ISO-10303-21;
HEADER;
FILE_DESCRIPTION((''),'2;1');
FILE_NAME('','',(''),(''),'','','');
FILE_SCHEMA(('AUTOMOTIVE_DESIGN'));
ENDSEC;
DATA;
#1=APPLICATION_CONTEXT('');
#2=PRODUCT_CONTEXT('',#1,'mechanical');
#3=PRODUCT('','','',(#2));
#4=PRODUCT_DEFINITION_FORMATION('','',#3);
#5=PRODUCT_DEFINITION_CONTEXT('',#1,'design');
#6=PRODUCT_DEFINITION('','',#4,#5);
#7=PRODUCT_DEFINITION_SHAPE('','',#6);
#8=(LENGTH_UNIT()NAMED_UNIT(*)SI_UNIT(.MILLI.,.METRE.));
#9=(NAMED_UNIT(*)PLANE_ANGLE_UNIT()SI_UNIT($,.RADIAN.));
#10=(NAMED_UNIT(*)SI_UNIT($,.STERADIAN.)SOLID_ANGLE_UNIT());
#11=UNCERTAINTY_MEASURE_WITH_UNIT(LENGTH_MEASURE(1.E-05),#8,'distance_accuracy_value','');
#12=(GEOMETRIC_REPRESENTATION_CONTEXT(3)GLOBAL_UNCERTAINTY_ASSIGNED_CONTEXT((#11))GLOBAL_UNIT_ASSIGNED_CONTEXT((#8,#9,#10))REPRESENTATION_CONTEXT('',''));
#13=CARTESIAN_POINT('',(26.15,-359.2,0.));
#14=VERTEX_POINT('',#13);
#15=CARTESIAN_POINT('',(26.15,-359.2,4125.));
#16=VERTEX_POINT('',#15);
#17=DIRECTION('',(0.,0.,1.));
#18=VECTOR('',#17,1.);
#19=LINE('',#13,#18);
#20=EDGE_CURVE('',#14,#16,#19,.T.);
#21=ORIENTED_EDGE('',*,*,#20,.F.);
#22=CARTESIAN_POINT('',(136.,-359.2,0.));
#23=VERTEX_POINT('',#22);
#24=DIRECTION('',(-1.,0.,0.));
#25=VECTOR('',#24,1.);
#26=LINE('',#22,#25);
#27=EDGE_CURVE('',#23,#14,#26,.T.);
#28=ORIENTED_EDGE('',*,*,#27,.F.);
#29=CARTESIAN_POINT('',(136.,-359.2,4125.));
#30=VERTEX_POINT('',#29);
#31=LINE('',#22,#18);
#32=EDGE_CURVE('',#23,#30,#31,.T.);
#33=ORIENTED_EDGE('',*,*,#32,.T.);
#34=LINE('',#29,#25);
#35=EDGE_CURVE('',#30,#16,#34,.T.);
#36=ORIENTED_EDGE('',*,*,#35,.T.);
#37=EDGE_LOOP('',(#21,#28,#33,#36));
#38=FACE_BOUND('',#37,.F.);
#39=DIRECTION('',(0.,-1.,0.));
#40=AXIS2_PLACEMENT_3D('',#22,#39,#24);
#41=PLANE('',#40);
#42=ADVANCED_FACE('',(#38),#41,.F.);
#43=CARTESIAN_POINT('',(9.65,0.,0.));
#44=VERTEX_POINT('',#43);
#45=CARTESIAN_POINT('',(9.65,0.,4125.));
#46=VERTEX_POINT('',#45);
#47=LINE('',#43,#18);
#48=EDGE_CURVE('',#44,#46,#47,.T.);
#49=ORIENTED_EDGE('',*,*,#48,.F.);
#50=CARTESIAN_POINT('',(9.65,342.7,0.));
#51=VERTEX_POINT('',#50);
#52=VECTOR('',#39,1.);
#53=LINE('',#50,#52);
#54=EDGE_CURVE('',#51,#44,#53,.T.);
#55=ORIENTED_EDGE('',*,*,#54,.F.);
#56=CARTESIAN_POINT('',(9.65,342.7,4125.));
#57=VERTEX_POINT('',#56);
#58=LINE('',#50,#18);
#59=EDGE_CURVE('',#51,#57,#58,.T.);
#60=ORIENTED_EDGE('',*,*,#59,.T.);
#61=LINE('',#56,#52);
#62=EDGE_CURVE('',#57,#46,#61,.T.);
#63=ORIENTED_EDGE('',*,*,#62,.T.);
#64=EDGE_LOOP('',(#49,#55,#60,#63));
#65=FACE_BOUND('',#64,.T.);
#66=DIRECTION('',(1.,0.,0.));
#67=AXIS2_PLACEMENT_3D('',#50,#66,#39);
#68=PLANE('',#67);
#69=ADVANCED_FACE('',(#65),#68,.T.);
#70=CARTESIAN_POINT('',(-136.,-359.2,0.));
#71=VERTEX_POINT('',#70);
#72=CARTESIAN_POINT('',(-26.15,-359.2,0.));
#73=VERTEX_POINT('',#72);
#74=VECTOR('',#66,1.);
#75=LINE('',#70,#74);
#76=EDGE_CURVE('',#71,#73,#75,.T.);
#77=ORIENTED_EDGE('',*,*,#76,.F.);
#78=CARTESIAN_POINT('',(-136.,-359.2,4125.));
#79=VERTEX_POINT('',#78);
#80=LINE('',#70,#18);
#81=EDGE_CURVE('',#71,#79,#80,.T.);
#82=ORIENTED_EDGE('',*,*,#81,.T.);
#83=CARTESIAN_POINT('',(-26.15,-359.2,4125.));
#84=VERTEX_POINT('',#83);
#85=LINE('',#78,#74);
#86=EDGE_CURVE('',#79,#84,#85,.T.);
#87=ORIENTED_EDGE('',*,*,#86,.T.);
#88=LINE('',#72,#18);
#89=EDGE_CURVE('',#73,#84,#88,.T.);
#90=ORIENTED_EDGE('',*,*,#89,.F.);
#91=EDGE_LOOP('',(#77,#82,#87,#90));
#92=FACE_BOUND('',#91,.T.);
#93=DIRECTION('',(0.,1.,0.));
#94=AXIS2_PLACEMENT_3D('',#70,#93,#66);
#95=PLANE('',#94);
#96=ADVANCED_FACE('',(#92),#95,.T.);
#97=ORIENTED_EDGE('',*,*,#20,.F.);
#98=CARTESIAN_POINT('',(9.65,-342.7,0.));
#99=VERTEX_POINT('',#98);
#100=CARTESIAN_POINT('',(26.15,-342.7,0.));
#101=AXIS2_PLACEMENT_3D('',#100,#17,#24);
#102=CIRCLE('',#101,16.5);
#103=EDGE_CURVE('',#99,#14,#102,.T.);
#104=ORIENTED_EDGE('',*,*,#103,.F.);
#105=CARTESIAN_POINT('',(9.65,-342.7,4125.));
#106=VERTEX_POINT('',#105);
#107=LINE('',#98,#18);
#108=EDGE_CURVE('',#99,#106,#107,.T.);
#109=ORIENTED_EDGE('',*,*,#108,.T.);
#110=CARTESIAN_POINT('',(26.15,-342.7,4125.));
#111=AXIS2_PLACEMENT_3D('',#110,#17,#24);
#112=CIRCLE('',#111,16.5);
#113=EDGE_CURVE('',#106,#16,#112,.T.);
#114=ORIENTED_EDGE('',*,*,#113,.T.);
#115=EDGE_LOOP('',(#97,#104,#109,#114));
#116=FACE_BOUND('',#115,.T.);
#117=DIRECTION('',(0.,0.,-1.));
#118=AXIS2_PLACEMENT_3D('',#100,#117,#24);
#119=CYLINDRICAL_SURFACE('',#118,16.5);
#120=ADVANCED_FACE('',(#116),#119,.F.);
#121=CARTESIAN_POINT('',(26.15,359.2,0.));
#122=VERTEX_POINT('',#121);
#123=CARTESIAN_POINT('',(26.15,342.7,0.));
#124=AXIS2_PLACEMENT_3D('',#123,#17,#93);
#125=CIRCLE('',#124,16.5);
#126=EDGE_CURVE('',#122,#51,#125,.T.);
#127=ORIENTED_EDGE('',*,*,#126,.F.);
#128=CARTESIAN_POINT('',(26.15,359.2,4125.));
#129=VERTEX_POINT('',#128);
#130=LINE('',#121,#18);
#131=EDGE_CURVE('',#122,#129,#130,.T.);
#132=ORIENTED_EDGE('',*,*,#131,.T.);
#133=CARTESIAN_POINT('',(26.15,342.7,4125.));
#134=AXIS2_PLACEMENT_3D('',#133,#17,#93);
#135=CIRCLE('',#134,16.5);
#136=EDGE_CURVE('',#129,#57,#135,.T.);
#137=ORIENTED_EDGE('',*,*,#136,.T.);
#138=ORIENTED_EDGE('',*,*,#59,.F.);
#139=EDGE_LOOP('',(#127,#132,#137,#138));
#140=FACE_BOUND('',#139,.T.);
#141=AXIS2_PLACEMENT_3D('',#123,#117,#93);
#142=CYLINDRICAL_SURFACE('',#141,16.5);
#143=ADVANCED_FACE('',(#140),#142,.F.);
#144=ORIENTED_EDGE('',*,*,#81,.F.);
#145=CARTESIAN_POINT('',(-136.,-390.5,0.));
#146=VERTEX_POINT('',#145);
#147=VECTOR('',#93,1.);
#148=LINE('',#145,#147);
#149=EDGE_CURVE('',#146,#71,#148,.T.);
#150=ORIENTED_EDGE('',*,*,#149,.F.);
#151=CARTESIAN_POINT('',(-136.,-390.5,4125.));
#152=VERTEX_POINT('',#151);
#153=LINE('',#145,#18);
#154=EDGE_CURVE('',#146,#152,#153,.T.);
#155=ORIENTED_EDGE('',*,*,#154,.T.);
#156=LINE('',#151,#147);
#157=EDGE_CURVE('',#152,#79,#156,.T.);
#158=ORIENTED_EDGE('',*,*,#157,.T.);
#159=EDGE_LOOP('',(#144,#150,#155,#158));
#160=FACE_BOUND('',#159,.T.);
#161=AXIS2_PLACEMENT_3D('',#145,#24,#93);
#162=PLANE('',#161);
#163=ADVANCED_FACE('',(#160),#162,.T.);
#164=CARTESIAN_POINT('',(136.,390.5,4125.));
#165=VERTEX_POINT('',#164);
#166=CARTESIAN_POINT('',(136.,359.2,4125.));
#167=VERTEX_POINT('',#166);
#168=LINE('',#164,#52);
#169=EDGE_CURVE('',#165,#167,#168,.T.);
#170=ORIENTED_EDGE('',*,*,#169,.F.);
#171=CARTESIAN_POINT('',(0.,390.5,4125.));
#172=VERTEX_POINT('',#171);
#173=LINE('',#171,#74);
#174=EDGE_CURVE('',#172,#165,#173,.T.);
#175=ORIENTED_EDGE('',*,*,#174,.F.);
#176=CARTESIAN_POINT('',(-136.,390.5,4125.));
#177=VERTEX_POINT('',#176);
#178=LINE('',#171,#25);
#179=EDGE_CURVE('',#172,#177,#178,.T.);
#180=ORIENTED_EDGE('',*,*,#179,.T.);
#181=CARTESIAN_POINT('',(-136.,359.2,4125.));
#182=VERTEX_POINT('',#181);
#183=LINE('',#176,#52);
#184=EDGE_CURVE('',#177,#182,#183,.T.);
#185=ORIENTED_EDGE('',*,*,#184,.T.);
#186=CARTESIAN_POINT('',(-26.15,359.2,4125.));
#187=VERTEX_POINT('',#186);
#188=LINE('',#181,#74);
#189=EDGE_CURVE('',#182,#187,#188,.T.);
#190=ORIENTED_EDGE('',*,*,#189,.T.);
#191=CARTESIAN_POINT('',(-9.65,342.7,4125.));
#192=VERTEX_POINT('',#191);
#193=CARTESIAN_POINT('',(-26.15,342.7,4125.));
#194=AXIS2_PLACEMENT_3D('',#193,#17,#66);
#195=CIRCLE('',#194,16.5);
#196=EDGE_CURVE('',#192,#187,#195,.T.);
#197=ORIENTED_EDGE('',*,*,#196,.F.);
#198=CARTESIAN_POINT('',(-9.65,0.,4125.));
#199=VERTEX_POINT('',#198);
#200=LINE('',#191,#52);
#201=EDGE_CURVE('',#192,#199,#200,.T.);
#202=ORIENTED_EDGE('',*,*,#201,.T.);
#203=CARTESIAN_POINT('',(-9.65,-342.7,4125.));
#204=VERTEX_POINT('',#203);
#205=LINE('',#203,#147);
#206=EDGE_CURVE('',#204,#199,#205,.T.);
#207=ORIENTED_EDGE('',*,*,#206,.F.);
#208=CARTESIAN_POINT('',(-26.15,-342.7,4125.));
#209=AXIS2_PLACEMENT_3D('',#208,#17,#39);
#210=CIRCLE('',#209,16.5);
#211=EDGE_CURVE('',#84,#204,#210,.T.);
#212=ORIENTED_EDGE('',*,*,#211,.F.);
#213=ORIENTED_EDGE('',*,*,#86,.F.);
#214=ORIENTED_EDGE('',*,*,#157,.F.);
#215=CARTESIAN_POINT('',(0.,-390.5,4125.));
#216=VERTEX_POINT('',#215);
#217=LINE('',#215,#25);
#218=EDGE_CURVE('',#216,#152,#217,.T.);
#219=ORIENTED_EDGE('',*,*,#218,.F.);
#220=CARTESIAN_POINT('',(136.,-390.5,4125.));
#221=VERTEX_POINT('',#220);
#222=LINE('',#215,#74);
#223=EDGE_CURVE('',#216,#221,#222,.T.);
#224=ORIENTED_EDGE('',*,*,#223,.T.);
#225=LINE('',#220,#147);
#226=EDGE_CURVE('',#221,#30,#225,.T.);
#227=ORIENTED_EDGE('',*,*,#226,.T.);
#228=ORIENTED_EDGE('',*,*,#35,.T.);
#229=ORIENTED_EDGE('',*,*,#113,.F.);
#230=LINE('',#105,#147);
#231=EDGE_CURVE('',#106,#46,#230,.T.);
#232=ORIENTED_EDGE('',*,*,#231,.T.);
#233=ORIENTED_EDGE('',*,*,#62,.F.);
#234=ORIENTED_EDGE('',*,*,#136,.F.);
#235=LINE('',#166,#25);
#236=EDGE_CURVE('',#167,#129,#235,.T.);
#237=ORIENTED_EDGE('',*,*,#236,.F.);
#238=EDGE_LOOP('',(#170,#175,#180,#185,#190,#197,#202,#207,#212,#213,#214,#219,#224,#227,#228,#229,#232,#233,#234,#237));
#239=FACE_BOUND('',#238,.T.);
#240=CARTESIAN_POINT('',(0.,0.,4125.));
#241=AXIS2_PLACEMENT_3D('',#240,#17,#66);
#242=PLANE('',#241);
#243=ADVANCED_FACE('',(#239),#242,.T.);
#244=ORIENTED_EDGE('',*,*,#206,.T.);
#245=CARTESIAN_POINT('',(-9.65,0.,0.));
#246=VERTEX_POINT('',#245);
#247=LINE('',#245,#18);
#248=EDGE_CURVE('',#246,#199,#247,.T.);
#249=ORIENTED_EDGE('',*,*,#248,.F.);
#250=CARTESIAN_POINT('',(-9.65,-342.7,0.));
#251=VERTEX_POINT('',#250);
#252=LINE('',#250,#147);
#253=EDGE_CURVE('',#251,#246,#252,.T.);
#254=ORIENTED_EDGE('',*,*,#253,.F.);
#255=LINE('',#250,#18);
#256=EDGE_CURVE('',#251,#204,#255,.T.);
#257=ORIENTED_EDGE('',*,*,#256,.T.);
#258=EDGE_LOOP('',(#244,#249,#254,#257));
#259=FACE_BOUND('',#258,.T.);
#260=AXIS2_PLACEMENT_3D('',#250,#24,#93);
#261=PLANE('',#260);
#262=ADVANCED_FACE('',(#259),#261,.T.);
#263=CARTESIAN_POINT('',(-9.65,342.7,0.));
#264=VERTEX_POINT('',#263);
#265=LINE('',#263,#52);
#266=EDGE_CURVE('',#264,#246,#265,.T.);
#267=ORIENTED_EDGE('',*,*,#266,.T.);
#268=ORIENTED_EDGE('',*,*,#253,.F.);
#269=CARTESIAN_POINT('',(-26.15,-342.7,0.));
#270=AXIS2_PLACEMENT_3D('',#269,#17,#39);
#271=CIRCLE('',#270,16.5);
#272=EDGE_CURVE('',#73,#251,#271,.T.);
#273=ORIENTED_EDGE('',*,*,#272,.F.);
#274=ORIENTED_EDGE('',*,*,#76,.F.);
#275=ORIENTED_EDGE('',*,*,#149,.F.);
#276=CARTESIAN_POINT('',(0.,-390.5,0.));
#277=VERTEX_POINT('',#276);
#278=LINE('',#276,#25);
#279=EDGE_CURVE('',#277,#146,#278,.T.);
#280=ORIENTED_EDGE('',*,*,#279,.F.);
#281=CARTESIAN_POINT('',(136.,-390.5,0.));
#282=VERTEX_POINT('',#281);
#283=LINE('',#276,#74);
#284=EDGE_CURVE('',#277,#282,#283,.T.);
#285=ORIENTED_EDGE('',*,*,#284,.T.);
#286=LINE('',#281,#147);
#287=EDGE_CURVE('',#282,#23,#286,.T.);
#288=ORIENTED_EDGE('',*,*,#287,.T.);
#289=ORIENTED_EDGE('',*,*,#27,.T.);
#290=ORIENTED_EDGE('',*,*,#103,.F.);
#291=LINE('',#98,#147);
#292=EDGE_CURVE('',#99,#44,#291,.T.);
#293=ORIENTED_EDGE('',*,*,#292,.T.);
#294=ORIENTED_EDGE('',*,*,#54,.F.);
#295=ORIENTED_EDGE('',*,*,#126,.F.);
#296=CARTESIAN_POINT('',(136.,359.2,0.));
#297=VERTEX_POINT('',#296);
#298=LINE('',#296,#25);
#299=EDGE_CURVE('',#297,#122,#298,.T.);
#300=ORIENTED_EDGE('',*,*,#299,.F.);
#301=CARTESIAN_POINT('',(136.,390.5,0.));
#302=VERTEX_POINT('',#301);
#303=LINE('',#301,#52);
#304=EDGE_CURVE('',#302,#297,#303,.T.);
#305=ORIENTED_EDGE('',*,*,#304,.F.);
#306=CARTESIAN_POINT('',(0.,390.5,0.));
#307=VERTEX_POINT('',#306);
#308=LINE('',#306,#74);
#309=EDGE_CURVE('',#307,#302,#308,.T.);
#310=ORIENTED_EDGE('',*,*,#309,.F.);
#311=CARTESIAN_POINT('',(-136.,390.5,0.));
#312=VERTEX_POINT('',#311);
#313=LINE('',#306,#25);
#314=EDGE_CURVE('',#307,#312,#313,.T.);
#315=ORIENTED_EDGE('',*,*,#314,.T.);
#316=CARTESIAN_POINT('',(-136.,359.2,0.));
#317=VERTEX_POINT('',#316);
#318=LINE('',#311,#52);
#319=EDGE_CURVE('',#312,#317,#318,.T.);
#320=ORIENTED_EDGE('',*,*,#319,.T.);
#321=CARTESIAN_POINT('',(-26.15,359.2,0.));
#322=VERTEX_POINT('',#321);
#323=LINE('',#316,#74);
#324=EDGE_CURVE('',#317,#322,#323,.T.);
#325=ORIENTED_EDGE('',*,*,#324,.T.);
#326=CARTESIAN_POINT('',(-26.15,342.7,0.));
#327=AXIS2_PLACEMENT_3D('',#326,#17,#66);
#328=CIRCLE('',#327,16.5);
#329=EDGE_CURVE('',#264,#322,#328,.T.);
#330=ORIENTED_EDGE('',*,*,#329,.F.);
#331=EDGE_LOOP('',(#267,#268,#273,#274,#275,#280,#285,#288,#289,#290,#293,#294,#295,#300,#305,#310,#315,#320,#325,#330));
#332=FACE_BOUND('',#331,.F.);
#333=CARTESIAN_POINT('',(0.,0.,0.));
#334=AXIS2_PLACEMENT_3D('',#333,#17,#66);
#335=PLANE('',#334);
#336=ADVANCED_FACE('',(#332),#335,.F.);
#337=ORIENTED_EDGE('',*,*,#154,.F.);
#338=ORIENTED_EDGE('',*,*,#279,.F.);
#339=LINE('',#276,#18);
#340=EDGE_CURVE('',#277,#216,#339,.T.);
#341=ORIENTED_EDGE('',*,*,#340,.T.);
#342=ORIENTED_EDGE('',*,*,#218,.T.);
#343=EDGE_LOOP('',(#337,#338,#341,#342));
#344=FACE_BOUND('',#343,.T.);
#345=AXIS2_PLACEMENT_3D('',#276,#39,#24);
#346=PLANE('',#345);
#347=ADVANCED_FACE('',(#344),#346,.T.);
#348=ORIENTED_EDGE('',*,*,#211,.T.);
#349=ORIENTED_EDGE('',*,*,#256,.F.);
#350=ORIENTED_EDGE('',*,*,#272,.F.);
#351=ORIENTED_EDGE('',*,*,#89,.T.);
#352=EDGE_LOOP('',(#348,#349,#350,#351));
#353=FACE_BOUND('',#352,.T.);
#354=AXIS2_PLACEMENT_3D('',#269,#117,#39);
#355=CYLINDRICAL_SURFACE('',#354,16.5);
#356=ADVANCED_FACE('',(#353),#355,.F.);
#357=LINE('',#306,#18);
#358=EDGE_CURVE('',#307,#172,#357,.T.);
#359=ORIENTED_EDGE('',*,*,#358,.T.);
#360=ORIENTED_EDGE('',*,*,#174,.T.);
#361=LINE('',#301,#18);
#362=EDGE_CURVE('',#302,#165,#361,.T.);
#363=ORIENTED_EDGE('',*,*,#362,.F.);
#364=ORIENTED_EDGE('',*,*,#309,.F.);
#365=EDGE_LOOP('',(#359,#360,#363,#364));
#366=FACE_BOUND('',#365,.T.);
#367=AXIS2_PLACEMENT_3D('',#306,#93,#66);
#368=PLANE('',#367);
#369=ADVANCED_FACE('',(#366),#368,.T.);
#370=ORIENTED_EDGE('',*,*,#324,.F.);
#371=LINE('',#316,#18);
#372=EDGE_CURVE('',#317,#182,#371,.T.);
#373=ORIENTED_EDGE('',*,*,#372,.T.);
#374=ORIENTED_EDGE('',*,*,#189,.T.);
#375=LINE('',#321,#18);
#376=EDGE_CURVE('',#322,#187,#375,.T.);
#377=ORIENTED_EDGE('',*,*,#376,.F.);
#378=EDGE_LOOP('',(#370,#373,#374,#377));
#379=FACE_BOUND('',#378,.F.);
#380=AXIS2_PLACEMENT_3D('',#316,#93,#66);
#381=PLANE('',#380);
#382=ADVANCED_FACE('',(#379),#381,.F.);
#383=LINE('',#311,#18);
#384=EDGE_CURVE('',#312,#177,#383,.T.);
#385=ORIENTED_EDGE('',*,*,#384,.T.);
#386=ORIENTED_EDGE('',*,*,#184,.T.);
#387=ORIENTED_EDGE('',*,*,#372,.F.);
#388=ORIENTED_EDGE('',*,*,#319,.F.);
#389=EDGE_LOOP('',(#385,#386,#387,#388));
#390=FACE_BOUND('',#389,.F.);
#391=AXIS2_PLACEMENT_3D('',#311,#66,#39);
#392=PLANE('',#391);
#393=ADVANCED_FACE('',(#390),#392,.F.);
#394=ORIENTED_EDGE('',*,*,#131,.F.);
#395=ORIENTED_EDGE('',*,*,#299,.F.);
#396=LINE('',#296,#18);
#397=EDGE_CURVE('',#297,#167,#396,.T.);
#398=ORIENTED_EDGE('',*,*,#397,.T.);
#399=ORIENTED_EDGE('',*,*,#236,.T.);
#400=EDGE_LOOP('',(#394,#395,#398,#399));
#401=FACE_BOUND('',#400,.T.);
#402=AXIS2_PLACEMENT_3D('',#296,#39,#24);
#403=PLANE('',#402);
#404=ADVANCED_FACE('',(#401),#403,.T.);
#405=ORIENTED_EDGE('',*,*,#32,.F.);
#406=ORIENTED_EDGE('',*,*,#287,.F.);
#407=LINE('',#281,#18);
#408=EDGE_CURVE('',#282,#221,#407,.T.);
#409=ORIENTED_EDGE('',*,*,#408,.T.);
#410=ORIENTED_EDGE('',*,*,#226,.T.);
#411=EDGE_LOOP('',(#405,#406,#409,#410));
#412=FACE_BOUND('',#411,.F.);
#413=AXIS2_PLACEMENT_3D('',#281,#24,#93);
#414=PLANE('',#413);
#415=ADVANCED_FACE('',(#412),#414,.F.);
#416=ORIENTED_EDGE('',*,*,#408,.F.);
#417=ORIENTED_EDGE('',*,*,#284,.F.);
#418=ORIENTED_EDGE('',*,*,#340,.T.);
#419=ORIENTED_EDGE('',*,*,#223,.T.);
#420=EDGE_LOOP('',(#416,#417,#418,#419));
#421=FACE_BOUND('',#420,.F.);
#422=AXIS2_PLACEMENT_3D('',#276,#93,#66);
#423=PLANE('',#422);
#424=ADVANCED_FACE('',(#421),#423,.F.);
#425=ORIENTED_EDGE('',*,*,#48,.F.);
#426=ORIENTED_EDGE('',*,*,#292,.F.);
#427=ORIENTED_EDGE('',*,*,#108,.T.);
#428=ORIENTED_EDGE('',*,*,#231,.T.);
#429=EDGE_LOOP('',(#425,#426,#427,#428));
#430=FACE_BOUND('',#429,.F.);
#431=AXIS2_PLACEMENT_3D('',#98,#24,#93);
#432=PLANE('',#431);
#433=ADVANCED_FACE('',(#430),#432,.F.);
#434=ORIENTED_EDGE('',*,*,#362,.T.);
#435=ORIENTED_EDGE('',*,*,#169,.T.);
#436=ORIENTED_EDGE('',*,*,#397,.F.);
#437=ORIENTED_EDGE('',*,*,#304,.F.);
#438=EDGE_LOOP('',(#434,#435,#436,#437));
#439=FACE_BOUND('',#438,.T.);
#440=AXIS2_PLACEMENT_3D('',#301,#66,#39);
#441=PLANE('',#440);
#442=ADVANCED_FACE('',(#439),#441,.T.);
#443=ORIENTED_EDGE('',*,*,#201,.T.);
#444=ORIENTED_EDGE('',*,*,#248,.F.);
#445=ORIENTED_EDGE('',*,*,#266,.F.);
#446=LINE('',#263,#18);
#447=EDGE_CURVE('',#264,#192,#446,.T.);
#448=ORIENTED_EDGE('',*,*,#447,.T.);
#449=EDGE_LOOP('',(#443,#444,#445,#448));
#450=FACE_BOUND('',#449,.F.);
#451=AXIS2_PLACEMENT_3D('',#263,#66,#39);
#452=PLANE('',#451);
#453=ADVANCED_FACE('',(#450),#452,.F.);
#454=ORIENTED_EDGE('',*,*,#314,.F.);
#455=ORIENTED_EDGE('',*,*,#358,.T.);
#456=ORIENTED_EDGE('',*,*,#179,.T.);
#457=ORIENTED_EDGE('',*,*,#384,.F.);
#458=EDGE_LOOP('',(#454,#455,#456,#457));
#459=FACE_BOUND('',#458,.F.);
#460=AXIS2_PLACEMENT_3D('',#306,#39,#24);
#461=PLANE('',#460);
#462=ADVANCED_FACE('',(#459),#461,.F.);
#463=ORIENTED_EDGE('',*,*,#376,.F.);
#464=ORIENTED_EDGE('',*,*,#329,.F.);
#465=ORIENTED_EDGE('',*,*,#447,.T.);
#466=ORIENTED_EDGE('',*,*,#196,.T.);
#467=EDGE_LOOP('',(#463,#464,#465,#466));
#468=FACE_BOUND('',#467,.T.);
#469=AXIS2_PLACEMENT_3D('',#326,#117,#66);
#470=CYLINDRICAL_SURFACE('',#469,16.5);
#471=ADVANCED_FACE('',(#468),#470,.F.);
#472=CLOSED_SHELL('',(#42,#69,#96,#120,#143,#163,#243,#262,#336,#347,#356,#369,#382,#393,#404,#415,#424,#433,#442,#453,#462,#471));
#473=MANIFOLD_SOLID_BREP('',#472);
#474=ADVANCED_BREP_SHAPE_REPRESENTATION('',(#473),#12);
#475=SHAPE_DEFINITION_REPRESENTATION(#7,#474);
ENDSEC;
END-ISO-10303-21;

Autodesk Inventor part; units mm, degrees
ref_plane "YZ Plane" through (0, 0, 0) normal (1, 0, 0) x (0, 1, 0)
ref_plane "Start plane" through (0, 0, 0) normal (0, 0, 1) x (1, 0, 0)
ref_plane "End plane" through (0, 0, 4125) normal (0, 0, 1) x (1, 0, 0)
sketch "Sketch" plane through (0, 0, 0) normal (0, 0, 1) x (1, 0, 0)
  line L0 (-136, -390.5) -> (-136, -359.2)
  line L1 (-136, -359.2) -> (-26.15, -359.2)
  line L2 (-9.65, -342.7) -> (-9.65, 0)
  line L3 (-9.65, 0) -> (0, 0) construction
  line L4 (0, 0) -> (0, -390.5) construction
  line L5 (0, -390.5) -> (-136, -390.5)
  line L6 (-60, 0) -> (80, 0) construction
  line L7 (0, -60) -> (0, 80) construction
  line L8 (136, -390.5) -> (136, -359.2)
  line L9 (136, -359.2) -> (26.15, -359.2)
  line L10 (9.65, -342.7) -> (9.65, 0)
  line L11 (9.65, 0) -> (0, 0) construction
  line L12 (0, -390.5) -> (136, -390.5)
  line L13 (-136, 390.5) -> (-136, 359.2)
  line L14 (-136, 359.2) -> (-26.15, 359.2)
  line L15 (-9.65, 342.7) -> (-9.65, 0)
  line L16 (0, 390.5) -> (-136, 390.5)
  line L17 (136, 390.5) -> (136, 359.2)
  line L18 (136, 359.2) -> (26.15, 359.2)
  line L19 (0, 390.5) -> (136, 390.5)
  line L20 (9.65, 342.7) -> (9.65, 0)
  arc A0 (-9.65, 342.7) -> (-26.15, 359.2) centre (-26.15, 342.7) ccw
  arc A1 (26.15, 359.2) -> (9.65, 342.7) centre (26.15, 342.7) ccw
  arc A2 (9.65, -342.7) -> (26.15, -359.2) centre (26.15, -342.7) ccw
  arc A3 (-26.15, -359.2) -> (-9.65, -342.7) centre (-26.15, -342.7) ccw
  line L21 (0, 108) -> (0, -88) construction
  line L22 (-88, 0) -> (108, 0) construction
  point P0 (-9.65, -359.2)
  point P1 (9.65, -359.2)
  point P2 (-9.65, 359.2)
  point P3 (9.65, 359.2)
  dimension "d1" = 390.5
  dimension "d2" = 31.3
  dimension "d3" = 136
  dimension "d4" = 9.65
  dimension "d10" = 16.5
extrude "Body" add sketch "Sketch" along normal up to surface (4125 mm away) from surface at 0
sketch "Sketch4" plane through (0, 0, 0) normal (0, 0, 1) x (1, 0, 0)
  line L0 (0, 0) -> (10, 0)
ref_plane "Work Plane3" through (0, 0, 0) normal (0, -1, 0) x (1, 0, 0)
sketch "Sketch5" plane through (0, 0, 0) normal (0, -1, 0) x (1, 0, 0)
  line L0 (-2, 0) -> (12, 0) projected
  line L1 (-2, 4125) -> (12, 4125) projected
  dimension "d14" = 4125
equation "\"d1\" = 0.5 * G_H"
equation "\"d2\" = G_T1"
equation "\"d3\" = 0.5 * G_W"
equation "\"d4\" = 0.5 * G_T"
equation "\"d10\" = G_IR"
equation "\"d5\" = G_L"
equation "\"G_W\" = 272"
equation "\"G_H\" = 781"
equation "\"G_T\" = 19.3"
equation "\"G_T1\" = 31.3"
equation "\"G_IR\" = 16.5"
equation "\"G_L\" = d14"
equation "\"G_OFFSET_START\" = 0"
equation "\"G_OFFSET_END\" = 0"
equation "\"d12\" = G_OFFSET_END + B_L"
equation "\"B_L\" = 4125"
properties part number "AS 3679-1990 - 760 UB - 244 - 4125" material "Steel, Mild"
